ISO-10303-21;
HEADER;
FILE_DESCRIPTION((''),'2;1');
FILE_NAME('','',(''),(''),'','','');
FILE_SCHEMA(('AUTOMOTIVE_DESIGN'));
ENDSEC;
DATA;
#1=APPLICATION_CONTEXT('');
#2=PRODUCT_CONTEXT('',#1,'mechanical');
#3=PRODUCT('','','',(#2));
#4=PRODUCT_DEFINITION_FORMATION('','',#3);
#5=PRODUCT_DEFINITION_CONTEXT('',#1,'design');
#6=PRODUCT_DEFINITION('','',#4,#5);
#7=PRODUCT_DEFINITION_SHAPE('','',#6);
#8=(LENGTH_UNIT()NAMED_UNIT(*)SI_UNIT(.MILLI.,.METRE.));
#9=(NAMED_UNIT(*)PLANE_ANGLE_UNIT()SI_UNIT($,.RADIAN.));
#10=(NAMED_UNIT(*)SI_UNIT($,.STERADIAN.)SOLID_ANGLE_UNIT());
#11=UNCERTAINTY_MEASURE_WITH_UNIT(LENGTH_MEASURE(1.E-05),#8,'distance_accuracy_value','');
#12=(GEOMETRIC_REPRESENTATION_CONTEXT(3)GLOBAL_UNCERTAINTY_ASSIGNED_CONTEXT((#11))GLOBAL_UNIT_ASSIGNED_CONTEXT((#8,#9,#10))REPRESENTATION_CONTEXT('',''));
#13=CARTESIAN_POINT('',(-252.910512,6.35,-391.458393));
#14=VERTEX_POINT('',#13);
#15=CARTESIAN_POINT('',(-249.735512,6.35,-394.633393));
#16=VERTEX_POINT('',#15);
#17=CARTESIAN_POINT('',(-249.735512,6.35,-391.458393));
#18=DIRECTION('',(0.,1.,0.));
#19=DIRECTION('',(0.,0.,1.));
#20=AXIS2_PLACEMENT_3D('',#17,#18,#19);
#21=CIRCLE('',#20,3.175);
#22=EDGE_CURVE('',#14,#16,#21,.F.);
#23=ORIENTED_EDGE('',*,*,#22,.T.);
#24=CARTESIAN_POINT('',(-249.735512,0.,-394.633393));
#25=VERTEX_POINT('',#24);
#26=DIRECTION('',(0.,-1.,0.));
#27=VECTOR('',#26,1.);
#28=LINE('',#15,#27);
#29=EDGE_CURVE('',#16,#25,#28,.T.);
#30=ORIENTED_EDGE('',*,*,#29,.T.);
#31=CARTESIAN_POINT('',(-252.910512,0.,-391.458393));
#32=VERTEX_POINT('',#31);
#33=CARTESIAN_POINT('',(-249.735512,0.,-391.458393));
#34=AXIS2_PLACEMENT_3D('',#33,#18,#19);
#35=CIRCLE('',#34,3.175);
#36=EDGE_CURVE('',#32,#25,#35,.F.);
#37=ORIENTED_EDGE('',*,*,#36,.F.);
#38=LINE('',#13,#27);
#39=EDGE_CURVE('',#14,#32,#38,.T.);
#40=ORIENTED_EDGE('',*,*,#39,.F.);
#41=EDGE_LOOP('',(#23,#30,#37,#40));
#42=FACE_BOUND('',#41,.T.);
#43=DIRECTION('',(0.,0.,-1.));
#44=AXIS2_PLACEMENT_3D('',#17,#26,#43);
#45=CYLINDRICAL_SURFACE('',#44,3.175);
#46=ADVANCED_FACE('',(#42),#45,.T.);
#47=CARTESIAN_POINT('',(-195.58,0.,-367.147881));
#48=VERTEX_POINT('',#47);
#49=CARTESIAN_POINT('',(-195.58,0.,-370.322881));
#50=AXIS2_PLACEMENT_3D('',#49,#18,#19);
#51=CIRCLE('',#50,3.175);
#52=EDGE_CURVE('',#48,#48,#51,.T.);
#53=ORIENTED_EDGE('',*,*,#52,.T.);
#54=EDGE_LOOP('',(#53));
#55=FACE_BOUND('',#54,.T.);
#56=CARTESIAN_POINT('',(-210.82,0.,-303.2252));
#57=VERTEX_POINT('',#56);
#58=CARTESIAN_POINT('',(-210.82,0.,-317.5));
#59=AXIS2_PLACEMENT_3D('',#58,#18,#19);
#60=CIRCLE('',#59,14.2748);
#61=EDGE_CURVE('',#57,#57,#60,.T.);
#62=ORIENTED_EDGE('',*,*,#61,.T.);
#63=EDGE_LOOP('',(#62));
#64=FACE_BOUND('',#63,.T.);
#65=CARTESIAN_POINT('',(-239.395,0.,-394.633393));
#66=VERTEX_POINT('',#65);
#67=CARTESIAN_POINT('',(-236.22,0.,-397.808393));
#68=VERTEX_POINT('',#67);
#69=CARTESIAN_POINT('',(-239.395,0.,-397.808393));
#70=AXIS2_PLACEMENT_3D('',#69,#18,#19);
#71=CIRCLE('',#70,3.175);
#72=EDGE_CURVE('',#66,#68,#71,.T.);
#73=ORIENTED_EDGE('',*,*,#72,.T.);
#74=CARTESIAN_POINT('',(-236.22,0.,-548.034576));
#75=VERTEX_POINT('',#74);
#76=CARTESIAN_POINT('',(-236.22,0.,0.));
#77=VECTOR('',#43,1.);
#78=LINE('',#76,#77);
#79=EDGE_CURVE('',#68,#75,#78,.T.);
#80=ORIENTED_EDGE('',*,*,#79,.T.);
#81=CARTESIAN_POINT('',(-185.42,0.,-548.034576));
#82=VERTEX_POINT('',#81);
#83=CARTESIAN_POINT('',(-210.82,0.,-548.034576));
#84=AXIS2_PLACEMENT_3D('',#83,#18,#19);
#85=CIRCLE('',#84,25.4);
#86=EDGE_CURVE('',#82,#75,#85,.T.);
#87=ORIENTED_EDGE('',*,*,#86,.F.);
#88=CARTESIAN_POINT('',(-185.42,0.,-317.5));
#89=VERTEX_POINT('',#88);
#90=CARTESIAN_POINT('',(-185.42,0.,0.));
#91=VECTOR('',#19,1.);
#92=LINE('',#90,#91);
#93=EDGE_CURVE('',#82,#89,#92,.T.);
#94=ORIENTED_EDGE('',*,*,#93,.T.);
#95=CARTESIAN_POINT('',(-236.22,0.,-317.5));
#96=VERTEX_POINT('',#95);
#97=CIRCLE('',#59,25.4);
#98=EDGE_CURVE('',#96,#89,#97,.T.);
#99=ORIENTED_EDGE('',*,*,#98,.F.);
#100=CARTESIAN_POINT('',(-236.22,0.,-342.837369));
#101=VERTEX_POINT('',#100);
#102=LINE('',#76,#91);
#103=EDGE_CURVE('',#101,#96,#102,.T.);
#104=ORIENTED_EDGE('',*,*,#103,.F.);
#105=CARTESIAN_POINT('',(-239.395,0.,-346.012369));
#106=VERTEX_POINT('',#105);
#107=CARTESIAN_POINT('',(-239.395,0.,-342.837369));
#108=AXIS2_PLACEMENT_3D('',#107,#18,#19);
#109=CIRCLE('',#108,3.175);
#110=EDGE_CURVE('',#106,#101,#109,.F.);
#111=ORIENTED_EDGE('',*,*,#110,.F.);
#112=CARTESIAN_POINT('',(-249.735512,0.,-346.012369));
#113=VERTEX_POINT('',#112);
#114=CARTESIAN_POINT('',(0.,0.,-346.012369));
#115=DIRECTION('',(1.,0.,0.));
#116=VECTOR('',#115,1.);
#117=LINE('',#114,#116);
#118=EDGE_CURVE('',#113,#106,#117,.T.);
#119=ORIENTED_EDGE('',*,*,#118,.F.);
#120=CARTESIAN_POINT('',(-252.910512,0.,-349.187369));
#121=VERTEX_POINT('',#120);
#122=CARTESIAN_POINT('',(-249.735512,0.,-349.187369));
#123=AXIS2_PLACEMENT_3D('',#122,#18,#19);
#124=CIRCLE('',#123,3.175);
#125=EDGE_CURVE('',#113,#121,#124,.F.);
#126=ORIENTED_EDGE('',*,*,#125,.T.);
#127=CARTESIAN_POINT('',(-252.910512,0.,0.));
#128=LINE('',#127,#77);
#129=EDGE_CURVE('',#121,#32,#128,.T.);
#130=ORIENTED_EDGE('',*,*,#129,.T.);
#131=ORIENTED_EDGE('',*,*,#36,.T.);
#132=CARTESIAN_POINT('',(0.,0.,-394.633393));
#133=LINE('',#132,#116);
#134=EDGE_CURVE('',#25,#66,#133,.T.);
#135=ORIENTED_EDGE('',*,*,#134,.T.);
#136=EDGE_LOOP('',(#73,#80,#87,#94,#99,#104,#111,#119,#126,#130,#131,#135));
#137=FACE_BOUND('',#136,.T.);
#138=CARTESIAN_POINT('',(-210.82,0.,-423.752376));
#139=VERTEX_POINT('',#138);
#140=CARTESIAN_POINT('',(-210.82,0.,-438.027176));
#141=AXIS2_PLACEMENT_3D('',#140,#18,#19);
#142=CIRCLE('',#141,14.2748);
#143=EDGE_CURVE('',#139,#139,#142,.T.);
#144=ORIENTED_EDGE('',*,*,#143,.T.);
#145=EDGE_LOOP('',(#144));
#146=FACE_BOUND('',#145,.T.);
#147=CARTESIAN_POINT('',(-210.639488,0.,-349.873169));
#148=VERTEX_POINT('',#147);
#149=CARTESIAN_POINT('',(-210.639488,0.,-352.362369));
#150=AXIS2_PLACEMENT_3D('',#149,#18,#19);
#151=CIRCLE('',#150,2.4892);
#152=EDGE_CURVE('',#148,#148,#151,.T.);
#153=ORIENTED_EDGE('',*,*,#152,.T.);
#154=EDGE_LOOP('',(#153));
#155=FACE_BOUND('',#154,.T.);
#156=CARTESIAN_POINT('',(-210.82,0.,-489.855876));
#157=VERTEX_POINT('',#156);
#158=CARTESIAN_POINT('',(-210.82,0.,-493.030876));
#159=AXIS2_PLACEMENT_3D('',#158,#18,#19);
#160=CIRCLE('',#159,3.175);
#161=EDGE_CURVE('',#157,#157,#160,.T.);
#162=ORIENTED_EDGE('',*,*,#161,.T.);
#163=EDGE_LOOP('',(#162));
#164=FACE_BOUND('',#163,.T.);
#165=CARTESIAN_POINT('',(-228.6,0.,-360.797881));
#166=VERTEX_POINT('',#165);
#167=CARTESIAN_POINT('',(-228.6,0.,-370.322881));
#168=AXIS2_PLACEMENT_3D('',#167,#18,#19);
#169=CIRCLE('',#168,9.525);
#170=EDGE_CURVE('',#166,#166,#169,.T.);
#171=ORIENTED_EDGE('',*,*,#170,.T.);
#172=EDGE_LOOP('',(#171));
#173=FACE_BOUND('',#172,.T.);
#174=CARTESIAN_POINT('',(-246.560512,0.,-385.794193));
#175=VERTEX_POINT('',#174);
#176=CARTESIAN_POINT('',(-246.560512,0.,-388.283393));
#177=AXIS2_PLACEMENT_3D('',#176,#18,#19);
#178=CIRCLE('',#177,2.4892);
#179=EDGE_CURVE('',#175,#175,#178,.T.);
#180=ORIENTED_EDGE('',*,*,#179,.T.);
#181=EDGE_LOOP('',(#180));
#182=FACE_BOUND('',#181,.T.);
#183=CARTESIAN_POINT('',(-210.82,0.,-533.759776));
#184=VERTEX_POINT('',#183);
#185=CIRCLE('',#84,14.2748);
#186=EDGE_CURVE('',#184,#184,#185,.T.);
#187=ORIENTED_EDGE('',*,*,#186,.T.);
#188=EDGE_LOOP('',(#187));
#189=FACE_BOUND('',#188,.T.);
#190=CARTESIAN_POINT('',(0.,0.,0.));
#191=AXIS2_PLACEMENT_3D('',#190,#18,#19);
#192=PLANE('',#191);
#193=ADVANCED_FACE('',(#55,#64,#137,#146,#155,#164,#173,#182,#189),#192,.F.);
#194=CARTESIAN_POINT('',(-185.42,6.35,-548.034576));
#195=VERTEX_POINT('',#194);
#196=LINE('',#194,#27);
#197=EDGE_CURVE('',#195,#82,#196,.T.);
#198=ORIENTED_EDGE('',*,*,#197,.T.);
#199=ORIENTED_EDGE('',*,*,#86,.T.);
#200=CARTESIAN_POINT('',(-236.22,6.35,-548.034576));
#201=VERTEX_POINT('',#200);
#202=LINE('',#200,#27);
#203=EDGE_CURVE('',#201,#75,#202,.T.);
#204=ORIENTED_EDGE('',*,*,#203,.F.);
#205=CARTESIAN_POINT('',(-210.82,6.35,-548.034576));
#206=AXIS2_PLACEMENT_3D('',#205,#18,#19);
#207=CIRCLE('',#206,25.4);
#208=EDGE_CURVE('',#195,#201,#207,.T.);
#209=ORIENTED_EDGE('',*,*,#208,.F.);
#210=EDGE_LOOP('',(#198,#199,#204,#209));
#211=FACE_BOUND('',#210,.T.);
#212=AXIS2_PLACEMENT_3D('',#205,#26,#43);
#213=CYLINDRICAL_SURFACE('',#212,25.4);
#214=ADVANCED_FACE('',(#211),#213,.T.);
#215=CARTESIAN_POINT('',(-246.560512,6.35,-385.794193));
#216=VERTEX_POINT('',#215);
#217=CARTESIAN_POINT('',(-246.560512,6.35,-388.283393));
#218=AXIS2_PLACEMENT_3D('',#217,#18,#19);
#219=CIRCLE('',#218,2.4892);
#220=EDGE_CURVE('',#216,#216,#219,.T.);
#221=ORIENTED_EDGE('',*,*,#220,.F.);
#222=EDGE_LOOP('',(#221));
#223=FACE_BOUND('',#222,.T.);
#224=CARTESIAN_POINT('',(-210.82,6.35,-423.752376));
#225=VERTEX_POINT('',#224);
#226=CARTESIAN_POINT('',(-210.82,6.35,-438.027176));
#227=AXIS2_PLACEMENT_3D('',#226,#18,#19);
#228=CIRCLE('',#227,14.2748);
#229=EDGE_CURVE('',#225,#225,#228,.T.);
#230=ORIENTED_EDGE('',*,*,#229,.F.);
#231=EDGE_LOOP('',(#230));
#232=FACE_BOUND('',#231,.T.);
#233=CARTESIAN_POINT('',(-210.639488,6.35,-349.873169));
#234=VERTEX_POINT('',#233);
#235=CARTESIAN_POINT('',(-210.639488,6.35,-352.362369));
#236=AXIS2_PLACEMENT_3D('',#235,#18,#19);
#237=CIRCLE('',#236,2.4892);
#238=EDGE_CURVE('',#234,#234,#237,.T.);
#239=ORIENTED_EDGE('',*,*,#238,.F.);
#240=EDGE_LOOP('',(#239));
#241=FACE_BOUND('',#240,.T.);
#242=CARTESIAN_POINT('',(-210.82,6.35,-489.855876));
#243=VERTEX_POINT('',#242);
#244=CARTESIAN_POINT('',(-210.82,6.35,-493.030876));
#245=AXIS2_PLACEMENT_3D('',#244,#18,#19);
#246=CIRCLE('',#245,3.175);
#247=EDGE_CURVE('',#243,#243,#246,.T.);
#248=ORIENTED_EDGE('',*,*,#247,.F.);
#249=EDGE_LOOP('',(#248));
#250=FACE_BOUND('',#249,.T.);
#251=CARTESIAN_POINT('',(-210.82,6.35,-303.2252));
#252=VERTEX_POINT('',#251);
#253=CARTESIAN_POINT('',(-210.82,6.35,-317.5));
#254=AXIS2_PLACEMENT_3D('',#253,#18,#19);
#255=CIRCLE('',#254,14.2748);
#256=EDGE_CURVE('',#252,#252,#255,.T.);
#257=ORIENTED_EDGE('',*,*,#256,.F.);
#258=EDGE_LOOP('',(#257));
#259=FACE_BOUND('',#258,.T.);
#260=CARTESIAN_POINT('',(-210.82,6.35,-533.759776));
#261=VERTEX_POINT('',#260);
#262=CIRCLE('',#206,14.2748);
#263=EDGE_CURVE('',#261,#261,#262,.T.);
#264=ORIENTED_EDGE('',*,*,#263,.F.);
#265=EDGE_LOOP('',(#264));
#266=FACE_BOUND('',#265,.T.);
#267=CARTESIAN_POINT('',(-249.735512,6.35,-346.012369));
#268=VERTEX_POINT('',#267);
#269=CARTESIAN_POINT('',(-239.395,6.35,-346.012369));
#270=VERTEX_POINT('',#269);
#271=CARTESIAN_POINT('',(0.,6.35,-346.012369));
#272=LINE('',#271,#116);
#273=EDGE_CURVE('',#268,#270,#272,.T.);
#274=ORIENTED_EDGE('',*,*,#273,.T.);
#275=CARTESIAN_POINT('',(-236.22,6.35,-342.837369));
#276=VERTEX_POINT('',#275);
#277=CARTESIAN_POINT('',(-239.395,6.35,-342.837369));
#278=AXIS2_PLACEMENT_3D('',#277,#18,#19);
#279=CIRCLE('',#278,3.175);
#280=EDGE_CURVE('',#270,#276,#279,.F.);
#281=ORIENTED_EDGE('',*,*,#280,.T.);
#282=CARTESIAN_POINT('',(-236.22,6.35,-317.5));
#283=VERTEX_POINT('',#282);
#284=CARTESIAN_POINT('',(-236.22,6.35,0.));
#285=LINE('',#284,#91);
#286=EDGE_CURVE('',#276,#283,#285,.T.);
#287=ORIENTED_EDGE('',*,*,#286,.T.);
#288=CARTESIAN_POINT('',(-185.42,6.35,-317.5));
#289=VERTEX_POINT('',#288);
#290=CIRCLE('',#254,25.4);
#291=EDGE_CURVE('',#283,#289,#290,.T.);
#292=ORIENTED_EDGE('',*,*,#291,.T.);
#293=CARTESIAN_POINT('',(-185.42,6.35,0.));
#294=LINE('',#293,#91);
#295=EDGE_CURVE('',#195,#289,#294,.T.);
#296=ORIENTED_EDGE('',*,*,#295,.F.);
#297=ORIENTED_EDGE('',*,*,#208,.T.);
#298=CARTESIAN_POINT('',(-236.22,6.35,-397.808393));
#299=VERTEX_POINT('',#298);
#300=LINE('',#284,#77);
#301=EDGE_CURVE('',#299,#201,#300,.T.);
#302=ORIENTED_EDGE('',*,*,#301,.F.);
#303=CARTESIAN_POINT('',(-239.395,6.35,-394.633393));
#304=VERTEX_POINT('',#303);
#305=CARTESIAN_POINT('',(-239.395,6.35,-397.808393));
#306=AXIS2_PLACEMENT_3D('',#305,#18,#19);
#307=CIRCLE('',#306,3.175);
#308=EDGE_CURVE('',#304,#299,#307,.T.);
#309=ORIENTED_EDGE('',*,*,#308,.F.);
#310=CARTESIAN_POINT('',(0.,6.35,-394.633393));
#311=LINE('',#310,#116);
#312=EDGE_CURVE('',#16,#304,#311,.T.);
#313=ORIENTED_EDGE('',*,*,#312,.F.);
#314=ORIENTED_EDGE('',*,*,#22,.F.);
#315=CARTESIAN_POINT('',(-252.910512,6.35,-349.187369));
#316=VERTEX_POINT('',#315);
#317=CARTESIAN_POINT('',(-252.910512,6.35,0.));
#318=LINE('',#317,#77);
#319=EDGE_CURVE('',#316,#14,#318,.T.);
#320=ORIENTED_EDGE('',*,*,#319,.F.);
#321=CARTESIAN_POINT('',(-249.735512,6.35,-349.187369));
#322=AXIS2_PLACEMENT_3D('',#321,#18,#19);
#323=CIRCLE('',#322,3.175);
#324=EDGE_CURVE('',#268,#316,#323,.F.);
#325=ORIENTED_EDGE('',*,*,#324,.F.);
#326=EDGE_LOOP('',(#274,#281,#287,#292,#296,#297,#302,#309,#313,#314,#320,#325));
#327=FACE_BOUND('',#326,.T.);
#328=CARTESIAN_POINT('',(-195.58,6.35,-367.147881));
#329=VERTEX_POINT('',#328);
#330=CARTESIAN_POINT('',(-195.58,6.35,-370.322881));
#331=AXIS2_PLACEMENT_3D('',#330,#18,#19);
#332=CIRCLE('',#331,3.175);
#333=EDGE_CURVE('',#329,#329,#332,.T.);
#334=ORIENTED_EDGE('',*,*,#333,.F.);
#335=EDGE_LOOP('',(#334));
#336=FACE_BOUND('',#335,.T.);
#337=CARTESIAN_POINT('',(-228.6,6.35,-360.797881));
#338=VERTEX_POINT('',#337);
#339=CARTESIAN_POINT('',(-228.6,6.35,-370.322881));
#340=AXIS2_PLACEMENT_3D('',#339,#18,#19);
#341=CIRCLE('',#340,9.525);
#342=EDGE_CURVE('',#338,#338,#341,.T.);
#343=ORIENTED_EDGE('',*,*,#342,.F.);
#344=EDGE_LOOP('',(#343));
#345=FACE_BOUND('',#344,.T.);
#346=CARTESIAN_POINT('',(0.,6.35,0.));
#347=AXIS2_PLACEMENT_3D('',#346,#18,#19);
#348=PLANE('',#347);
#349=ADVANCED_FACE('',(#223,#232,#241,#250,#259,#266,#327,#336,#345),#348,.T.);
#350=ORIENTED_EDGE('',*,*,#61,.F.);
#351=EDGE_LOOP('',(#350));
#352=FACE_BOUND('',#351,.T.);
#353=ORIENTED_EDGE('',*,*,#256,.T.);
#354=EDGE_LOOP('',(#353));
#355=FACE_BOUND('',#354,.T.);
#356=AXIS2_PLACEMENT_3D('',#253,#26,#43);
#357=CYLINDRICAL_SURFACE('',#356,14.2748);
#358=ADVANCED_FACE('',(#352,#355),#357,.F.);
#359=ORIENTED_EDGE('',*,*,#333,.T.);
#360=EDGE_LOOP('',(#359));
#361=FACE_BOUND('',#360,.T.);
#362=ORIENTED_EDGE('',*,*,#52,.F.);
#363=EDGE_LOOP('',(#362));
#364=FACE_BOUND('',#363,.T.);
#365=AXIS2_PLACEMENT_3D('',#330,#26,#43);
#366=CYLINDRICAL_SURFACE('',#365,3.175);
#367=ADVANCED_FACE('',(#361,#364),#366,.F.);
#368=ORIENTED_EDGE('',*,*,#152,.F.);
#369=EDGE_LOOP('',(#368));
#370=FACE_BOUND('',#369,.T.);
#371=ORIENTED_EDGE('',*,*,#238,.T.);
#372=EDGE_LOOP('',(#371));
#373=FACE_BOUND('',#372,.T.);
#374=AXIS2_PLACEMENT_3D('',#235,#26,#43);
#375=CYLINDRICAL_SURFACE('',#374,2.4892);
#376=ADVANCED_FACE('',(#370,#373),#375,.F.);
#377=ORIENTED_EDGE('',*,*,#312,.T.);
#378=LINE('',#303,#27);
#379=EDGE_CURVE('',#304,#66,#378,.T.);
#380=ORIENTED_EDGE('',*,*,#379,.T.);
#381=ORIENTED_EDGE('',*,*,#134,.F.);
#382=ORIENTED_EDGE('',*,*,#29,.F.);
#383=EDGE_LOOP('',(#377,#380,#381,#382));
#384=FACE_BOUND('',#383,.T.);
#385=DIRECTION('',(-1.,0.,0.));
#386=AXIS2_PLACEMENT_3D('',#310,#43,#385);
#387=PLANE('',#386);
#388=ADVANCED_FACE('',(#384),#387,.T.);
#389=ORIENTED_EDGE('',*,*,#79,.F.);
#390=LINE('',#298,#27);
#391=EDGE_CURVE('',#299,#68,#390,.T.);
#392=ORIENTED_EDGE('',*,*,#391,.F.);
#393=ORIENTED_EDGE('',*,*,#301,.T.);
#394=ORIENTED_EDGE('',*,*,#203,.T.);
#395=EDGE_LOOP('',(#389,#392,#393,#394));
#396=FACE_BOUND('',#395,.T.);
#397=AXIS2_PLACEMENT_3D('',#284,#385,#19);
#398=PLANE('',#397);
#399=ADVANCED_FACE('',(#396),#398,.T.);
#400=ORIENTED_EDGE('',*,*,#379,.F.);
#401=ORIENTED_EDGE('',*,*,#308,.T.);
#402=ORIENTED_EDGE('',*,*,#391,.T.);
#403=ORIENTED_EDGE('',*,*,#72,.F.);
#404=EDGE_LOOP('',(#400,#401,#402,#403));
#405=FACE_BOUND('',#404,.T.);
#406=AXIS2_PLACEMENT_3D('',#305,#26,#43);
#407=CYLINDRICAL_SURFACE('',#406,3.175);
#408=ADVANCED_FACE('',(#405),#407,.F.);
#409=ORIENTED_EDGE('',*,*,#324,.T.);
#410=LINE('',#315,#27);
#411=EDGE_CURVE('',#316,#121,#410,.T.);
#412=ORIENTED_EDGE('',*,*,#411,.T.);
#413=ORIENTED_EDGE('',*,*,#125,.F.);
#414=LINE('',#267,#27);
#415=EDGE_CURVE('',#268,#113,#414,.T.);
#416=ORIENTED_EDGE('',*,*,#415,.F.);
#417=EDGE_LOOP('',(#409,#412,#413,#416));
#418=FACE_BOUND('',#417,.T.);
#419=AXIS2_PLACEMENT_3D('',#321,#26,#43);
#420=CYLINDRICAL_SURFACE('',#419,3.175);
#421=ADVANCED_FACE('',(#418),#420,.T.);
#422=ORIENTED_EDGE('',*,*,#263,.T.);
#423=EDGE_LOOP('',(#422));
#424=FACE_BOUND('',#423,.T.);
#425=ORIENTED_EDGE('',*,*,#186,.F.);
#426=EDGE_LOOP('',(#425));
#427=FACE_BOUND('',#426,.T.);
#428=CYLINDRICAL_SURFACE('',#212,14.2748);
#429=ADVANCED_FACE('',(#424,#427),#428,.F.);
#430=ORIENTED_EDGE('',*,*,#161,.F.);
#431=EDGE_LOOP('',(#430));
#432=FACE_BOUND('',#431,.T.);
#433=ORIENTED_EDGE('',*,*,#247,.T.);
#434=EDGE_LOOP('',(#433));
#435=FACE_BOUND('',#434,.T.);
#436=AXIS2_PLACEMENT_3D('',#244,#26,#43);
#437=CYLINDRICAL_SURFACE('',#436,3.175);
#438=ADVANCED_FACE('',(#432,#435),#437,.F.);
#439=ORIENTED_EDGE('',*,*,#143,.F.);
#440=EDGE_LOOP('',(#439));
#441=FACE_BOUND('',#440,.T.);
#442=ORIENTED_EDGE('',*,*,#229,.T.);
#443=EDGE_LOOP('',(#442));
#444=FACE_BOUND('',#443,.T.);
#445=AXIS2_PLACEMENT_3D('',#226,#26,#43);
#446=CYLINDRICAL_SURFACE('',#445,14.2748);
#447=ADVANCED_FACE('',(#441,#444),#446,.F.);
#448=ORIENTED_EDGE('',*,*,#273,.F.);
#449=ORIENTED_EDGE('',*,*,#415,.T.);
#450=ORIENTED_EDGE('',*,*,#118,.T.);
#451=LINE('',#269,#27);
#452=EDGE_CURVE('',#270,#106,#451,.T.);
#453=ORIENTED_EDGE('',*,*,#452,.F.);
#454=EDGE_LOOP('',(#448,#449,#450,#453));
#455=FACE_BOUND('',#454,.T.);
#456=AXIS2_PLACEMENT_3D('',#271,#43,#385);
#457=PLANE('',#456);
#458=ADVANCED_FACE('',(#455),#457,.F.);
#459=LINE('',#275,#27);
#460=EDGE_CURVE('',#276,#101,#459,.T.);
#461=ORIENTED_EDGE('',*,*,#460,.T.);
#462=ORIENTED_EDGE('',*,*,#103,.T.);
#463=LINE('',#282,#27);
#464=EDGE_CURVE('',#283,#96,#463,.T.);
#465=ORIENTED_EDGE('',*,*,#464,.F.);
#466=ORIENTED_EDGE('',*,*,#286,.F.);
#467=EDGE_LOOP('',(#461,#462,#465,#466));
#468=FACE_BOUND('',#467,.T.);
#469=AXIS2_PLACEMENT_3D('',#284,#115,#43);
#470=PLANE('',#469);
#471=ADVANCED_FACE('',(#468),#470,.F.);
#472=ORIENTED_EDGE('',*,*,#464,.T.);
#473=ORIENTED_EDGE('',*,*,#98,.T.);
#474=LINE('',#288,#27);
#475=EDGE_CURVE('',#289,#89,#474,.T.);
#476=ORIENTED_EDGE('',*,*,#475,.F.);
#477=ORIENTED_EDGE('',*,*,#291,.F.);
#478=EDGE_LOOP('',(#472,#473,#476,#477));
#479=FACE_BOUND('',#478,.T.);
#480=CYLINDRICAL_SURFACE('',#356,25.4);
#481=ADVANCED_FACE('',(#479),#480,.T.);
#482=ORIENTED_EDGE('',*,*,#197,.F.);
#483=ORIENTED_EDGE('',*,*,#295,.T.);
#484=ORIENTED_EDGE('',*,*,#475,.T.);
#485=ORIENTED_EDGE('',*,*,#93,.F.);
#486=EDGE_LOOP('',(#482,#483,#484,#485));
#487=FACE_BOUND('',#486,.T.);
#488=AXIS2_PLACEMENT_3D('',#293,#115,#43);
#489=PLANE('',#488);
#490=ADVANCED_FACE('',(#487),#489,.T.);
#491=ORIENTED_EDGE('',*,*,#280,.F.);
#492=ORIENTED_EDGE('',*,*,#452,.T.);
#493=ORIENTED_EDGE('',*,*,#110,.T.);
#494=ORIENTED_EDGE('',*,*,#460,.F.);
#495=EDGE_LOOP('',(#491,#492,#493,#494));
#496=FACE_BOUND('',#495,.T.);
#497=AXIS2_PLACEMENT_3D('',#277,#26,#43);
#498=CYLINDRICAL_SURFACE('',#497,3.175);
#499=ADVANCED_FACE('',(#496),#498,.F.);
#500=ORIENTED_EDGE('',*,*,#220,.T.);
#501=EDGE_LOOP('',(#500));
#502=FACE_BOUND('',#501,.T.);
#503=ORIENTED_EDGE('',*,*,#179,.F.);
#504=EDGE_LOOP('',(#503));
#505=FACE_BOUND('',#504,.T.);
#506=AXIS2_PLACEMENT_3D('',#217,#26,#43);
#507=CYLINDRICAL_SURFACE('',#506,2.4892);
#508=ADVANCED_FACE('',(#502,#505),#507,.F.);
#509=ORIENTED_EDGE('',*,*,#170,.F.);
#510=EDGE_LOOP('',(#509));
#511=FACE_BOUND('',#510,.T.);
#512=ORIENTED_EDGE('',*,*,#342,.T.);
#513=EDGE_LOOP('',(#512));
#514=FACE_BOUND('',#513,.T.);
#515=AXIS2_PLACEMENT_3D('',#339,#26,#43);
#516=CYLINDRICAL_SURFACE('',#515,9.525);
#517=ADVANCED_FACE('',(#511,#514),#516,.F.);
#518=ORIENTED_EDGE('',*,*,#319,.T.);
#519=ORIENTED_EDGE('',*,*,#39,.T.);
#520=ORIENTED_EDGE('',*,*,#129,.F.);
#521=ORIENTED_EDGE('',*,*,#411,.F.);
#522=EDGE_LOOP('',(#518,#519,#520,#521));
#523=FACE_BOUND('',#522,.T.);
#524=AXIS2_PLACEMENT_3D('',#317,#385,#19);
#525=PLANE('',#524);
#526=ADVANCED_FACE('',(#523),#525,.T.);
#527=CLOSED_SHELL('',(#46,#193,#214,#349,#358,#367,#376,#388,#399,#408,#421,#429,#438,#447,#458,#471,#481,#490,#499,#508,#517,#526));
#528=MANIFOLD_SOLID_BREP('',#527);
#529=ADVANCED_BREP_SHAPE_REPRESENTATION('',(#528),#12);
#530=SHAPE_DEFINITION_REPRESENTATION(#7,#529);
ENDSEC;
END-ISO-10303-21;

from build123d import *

# Parameters (mm, degrees)
SKETCH3_R           = 14.2748
SKETCH3_R_2         = 9.525
SKETCH3_R_3         = 2.4892
SKETCH3_R_4         = 3.175
BOSS_EXTRUDE1_DEPTH = 6.35


with BuildPart() as part:
    # Sketch3 → Boss-Extrude1 (new body)
    with BuildSketch(Plane(origin=(0, 0, 0), x_dir=(1, 0, 0), z_dir=(0, 1, 0))):
        with BuildLine():
            Line((-249.735512242, 346.01236887), (-239.395, 346.01236887))
            ThreePointArc((-239.395, 346.01236887), (-237.14993597, 345.0824329), (-236.22, 342.83736887))
            Line((-236.22, 342.83736887), (-236.22, 317.5))
            ThreePointArc((-236.22, 317.5), (-210.82, 292.1), (-185.42, 317.5))
            Line((-185.42, 317.5), (-185.42, 548.034576396))
            ThreePointArc((-185.42, 548.034576396), (-210.82, 573.434576396), (-236.22, 548.034576396))
            Line((-236.22, 548.034576396), (-236.22, 397.808393354))
            ThreePointArc((-236.22, 397.808393354), (-237.14993597, 395.563329324), (-239.395, 394.633393354))
            Line((-239.395, 394.633393354), (-249.735512242, 394.633393354))
            ThreePointArc((-249.735512242, 394.633393354), (-251.980576272, 393.703457384), (-252.910512242, 391.458393354))
            Line((-252.910512242, 391.458393354), (-252.910512242, 349.18736887))
            ThreePointArc((-252.910512242, 349.18736887), (-251.980576272, 346.942304839), (-249.735512242, 346.01236887))
        make_face()
        with Locations((-210.82, 548.034576396)):
            Circle(SKETCH3_R, mode=Mode.SUBTRACT)
        with Locations((-210.82, 438.027176396)):
            Circle(SKETCH3_R, mode=Mode.SUBTRACT)
        with Locations((-210.82, 317.5)):
            Circle(SKETCH3_R, mode=Mode.SUBTRACT)
        with Locations((-228.6, 370.322881112)):
            Circle(SKETCH3_R_2, mode=Mode.SUBTRACT)
        with Locations((-246.560512242, 388.283393354)):
            Circle(SKETCH3_R_3, mode=Mode.SUBTRACT)
        with Locations((-210.639487758, 352.36236887)):
            Circle(SKETCH3_R_3, mode=Mode.SUBTRACT)
        with Locations((-210.82, 493.030876396)):
            Circle(SKETCH3_R_4, mode=Mode.SUBTRACT)
        with Locations((-195.58, 370.322881112)):
            Circle(SKETCH3_R_4, mode=Mode.SUBTRACT)
    extrude(amount=BOSS_EXTRUDE1_DEPTH)


solid = part.part
